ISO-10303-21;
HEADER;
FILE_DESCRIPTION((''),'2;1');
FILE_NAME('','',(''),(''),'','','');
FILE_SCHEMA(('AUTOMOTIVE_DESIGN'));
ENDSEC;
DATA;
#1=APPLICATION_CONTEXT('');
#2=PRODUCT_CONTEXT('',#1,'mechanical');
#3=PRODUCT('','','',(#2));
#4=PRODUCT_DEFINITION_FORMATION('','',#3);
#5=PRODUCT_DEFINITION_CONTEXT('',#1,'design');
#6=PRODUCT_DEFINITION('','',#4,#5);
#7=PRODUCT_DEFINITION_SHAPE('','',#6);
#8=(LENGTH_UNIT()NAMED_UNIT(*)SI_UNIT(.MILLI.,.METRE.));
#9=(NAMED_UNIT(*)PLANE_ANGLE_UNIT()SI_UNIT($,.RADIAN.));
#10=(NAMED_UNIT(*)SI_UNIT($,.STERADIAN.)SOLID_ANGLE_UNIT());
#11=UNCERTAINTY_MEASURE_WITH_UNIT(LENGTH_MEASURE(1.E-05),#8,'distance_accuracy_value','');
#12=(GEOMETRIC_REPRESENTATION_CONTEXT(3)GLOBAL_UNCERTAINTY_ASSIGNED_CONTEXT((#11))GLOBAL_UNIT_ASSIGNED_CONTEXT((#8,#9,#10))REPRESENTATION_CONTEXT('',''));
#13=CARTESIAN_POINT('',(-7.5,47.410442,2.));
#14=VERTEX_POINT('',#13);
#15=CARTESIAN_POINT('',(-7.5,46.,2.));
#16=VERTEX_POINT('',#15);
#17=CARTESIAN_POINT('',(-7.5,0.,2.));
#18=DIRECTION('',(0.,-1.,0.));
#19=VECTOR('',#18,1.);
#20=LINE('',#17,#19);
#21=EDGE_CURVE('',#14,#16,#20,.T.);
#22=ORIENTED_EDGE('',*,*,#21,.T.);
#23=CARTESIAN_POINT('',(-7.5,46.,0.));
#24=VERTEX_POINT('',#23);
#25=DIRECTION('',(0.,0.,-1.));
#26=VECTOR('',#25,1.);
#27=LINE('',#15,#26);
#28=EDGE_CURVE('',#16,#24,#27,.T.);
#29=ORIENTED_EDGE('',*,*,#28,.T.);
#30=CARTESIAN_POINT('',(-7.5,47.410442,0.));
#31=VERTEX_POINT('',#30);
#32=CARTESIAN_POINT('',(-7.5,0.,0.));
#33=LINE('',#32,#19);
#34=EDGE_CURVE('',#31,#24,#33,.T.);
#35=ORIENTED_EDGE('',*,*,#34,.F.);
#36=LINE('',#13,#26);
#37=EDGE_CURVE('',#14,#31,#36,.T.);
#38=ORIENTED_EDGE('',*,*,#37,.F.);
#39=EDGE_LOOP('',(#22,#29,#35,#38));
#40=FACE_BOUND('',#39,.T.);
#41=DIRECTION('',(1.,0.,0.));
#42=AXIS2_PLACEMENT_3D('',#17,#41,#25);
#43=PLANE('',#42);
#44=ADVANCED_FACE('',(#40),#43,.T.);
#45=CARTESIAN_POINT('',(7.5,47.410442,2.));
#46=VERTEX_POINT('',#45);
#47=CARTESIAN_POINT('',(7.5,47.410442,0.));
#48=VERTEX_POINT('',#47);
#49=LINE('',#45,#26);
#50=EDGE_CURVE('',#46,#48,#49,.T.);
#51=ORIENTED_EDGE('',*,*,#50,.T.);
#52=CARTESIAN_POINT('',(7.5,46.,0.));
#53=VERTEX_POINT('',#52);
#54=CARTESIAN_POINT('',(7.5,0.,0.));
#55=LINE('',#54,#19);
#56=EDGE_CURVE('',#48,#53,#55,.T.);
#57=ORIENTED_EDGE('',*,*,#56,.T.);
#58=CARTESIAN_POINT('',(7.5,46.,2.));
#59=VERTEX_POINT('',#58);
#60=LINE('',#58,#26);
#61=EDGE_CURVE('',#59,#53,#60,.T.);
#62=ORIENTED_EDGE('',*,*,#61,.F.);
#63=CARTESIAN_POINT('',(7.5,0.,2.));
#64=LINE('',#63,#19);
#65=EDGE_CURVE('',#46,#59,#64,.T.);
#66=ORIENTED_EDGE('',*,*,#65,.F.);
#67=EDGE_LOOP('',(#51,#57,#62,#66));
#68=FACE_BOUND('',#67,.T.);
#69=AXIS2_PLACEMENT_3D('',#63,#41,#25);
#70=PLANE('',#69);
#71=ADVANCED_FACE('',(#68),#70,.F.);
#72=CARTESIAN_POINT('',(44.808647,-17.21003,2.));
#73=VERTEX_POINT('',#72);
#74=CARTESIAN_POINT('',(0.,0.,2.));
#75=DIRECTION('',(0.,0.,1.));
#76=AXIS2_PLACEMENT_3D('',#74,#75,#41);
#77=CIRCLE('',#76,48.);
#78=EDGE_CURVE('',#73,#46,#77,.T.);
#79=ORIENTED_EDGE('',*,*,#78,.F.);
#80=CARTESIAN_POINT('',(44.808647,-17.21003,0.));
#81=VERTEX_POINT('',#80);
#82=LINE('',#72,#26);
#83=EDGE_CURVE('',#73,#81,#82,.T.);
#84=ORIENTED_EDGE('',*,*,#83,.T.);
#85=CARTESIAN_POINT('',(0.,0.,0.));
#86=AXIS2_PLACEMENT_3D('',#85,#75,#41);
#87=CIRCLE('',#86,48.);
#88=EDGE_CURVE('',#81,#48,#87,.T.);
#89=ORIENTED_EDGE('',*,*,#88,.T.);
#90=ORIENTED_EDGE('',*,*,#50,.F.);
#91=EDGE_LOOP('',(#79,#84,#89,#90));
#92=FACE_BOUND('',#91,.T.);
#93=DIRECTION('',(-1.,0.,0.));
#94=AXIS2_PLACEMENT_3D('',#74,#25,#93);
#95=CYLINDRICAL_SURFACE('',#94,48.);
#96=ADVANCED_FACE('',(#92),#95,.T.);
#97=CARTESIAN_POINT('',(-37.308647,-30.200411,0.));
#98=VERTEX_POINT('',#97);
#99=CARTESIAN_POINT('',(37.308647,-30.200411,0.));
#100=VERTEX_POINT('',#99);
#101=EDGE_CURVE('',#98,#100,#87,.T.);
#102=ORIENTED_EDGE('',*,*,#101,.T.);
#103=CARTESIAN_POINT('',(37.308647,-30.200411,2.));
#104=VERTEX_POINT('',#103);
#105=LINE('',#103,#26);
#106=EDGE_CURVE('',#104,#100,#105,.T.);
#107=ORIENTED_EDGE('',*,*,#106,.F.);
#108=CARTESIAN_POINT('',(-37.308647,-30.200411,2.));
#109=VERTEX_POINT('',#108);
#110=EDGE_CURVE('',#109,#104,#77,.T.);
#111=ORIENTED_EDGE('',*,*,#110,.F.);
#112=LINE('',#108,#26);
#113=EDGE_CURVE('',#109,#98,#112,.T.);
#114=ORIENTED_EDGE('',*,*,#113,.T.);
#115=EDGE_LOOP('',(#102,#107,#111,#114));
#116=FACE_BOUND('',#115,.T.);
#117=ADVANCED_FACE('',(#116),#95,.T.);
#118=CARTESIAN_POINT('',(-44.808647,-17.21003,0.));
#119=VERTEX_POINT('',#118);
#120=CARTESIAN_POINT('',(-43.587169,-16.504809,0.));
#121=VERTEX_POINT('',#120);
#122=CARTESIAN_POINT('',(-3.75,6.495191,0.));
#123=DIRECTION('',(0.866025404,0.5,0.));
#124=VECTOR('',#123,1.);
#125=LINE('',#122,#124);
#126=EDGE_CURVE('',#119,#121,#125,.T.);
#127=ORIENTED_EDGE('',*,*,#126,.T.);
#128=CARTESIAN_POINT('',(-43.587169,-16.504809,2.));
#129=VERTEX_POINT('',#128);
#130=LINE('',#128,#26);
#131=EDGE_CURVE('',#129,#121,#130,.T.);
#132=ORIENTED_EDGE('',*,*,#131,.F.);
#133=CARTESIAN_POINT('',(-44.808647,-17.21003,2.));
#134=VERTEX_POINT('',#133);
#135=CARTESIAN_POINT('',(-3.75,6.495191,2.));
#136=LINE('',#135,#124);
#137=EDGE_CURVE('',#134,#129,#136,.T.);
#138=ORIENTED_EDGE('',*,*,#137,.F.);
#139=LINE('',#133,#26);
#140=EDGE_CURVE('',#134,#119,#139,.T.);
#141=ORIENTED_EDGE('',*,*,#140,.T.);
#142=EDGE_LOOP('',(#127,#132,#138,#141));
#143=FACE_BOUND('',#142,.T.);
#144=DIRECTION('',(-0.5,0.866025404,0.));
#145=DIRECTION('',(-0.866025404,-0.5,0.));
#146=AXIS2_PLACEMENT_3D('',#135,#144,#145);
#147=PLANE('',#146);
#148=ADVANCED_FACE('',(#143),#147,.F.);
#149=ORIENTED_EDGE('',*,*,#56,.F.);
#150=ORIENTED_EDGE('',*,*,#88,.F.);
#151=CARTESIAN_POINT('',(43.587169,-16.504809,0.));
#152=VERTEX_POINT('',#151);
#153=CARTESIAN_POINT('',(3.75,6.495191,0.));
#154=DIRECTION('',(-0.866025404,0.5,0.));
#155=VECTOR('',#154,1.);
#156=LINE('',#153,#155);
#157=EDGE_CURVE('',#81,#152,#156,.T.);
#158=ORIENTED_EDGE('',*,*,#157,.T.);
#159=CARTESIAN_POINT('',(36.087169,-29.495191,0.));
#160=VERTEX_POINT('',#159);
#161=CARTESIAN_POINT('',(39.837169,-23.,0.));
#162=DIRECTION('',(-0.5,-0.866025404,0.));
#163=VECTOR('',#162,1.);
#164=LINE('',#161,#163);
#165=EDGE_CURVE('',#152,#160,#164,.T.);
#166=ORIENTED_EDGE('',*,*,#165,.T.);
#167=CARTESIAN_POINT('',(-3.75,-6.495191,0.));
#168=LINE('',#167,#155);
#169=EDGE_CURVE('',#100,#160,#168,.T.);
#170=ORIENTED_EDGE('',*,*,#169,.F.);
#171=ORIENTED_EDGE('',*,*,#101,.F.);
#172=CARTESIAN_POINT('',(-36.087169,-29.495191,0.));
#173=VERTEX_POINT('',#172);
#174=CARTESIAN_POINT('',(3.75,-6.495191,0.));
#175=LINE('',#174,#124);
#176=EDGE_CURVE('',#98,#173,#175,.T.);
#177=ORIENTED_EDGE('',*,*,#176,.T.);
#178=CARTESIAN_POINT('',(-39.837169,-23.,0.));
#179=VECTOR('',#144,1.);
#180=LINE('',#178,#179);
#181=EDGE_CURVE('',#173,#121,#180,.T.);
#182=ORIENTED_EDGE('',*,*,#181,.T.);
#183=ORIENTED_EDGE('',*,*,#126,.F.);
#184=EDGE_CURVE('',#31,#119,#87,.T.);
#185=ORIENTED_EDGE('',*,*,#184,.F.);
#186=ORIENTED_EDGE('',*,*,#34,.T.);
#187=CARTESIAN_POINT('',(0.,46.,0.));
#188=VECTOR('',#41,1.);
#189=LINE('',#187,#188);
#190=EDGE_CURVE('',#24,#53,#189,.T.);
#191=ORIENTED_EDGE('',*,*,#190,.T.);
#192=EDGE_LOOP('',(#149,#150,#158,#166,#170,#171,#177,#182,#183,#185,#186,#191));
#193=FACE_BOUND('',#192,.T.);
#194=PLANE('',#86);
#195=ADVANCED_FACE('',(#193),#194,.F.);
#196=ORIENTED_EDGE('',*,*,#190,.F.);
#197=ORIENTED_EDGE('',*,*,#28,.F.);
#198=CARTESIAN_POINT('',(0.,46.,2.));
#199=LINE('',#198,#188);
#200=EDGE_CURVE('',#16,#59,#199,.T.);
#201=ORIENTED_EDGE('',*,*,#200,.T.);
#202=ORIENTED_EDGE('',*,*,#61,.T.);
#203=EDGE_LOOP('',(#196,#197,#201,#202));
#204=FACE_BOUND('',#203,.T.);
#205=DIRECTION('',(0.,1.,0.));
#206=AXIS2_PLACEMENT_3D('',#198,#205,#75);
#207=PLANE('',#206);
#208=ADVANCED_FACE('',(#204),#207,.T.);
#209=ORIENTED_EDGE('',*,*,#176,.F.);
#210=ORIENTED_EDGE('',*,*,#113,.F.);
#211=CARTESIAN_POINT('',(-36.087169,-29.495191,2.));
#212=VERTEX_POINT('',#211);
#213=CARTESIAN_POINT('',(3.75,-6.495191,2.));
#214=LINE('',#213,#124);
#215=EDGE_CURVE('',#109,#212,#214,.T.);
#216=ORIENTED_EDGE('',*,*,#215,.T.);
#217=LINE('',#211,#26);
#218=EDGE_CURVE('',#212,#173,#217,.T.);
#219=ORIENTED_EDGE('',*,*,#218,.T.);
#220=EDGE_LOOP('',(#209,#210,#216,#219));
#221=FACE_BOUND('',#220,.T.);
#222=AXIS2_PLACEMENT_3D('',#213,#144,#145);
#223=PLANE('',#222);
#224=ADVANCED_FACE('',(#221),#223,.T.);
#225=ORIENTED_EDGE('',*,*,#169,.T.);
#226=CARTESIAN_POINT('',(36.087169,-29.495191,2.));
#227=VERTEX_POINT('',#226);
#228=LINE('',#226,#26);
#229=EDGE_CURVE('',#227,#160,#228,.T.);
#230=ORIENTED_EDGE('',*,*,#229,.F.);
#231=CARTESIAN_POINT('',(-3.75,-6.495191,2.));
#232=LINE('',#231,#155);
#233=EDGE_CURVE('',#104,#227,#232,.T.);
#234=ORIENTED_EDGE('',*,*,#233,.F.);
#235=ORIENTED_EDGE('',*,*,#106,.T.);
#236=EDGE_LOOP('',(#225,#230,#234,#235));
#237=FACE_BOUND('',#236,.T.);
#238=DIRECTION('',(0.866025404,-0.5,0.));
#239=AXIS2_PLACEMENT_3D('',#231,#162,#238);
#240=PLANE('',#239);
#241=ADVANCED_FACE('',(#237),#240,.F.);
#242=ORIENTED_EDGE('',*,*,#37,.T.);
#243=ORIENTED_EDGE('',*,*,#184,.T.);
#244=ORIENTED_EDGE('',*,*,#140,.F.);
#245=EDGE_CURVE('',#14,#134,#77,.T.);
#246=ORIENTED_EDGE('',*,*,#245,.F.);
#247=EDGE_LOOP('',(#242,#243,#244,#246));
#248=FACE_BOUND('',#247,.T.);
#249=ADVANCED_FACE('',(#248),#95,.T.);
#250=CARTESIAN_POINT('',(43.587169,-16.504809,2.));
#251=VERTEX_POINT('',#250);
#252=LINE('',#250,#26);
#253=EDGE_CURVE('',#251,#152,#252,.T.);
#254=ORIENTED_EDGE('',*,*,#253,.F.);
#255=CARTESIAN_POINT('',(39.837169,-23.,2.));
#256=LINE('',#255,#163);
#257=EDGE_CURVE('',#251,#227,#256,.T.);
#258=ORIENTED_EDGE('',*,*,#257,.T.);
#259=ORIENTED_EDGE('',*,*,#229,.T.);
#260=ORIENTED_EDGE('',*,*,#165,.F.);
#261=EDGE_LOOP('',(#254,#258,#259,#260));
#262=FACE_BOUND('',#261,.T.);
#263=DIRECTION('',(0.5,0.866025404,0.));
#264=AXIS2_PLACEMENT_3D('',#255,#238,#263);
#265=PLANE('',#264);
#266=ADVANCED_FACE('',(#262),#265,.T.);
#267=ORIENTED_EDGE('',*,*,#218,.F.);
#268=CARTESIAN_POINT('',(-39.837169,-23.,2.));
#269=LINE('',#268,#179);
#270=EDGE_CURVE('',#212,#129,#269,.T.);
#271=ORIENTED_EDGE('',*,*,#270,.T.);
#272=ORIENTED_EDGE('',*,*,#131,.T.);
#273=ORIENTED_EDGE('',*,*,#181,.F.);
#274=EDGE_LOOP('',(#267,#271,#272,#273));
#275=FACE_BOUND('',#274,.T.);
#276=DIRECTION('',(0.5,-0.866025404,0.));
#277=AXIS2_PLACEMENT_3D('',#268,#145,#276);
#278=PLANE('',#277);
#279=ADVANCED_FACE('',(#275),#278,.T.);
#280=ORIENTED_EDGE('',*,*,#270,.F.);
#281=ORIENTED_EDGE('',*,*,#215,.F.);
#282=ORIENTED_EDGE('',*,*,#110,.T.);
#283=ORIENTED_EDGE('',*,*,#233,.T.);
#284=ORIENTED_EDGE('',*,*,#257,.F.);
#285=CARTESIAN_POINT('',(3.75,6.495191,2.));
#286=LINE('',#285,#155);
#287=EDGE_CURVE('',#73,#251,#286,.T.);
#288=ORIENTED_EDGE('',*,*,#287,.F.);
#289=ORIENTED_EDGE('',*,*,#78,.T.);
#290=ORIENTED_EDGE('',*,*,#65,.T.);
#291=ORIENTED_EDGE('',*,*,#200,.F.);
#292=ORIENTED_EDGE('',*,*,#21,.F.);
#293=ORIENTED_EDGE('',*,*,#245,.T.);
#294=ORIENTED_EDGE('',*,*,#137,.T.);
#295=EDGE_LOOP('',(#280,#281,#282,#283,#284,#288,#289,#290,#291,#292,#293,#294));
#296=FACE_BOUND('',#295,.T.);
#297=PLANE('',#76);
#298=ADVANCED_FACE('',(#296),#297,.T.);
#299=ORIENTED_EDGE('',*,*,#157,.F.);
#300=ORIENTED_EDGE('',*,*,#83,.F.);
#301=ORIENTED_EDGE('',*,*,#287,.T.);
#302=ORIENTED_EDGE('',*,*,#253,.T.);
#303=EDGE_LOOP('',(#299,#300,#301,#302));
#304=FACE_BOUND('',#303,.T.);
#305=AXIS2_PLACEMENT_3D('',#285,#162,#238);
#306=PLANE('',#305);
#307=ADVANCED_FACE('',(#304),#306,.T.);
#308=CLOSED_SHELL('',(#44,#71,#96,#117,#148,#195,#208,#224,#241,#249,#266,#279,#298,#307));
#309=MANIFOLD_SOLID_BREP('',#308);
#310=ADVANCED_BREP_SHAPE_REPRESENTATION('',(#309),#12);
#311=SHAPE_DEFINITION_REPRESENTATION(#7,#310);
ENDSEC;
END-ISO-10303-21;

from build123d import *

# Parameters (mm, degrees)
EXTRUDE_1_DEPTH = 2


with BuildPart() as part:
    # Эскиз1 → Бобышка-Вытянуть1 (new body)
    with BuildSketch(Plane.XY):
        with BuildLine():
            Line((43.587168574, -16.504809472), (44.80864708, -17.210030416))
            ThreePointArc((44.80864708, -17.210030416), (47.195418527, -8.751712409), (48, 0))
            ThreePointArc((48, 0), (36.496575182, 31.176914536), (7.5, 47.410441888))
            Line((7.5, 47.410441888), (7.5, 46))
            Line((7.5, 46), (-7.5, 46))
            Line((-7.5, 46), (-7.5, 47.410441888))
            ThreePointArc((-7.5, 47.410441888), (-41.569219382, 24), (-44.80864708, -17.210030416))
            Line((-44.80864708, -17.210030416), (-43.587168574, -16.504809472))
            Line((-43.587168574, -16.504809472), (-36.087168574, -29.495190528))
            Line((-36.087168574, -29.495190528), (-37.30864708, -30.200411472))
            ThreePointArc((-37.30864708, -30.200411472), (0, -48), (37.30864708, -30.200411472))
            Line((37.30864708, -30.200411472), (36.087168574, -29.495190528))
            Line((36.087168574, -29.495190528), (43.587168574, -16.504809472))
        make_face()
    extrude(amount=EXTRUDE_1_DEPTH)


solid = part.part
